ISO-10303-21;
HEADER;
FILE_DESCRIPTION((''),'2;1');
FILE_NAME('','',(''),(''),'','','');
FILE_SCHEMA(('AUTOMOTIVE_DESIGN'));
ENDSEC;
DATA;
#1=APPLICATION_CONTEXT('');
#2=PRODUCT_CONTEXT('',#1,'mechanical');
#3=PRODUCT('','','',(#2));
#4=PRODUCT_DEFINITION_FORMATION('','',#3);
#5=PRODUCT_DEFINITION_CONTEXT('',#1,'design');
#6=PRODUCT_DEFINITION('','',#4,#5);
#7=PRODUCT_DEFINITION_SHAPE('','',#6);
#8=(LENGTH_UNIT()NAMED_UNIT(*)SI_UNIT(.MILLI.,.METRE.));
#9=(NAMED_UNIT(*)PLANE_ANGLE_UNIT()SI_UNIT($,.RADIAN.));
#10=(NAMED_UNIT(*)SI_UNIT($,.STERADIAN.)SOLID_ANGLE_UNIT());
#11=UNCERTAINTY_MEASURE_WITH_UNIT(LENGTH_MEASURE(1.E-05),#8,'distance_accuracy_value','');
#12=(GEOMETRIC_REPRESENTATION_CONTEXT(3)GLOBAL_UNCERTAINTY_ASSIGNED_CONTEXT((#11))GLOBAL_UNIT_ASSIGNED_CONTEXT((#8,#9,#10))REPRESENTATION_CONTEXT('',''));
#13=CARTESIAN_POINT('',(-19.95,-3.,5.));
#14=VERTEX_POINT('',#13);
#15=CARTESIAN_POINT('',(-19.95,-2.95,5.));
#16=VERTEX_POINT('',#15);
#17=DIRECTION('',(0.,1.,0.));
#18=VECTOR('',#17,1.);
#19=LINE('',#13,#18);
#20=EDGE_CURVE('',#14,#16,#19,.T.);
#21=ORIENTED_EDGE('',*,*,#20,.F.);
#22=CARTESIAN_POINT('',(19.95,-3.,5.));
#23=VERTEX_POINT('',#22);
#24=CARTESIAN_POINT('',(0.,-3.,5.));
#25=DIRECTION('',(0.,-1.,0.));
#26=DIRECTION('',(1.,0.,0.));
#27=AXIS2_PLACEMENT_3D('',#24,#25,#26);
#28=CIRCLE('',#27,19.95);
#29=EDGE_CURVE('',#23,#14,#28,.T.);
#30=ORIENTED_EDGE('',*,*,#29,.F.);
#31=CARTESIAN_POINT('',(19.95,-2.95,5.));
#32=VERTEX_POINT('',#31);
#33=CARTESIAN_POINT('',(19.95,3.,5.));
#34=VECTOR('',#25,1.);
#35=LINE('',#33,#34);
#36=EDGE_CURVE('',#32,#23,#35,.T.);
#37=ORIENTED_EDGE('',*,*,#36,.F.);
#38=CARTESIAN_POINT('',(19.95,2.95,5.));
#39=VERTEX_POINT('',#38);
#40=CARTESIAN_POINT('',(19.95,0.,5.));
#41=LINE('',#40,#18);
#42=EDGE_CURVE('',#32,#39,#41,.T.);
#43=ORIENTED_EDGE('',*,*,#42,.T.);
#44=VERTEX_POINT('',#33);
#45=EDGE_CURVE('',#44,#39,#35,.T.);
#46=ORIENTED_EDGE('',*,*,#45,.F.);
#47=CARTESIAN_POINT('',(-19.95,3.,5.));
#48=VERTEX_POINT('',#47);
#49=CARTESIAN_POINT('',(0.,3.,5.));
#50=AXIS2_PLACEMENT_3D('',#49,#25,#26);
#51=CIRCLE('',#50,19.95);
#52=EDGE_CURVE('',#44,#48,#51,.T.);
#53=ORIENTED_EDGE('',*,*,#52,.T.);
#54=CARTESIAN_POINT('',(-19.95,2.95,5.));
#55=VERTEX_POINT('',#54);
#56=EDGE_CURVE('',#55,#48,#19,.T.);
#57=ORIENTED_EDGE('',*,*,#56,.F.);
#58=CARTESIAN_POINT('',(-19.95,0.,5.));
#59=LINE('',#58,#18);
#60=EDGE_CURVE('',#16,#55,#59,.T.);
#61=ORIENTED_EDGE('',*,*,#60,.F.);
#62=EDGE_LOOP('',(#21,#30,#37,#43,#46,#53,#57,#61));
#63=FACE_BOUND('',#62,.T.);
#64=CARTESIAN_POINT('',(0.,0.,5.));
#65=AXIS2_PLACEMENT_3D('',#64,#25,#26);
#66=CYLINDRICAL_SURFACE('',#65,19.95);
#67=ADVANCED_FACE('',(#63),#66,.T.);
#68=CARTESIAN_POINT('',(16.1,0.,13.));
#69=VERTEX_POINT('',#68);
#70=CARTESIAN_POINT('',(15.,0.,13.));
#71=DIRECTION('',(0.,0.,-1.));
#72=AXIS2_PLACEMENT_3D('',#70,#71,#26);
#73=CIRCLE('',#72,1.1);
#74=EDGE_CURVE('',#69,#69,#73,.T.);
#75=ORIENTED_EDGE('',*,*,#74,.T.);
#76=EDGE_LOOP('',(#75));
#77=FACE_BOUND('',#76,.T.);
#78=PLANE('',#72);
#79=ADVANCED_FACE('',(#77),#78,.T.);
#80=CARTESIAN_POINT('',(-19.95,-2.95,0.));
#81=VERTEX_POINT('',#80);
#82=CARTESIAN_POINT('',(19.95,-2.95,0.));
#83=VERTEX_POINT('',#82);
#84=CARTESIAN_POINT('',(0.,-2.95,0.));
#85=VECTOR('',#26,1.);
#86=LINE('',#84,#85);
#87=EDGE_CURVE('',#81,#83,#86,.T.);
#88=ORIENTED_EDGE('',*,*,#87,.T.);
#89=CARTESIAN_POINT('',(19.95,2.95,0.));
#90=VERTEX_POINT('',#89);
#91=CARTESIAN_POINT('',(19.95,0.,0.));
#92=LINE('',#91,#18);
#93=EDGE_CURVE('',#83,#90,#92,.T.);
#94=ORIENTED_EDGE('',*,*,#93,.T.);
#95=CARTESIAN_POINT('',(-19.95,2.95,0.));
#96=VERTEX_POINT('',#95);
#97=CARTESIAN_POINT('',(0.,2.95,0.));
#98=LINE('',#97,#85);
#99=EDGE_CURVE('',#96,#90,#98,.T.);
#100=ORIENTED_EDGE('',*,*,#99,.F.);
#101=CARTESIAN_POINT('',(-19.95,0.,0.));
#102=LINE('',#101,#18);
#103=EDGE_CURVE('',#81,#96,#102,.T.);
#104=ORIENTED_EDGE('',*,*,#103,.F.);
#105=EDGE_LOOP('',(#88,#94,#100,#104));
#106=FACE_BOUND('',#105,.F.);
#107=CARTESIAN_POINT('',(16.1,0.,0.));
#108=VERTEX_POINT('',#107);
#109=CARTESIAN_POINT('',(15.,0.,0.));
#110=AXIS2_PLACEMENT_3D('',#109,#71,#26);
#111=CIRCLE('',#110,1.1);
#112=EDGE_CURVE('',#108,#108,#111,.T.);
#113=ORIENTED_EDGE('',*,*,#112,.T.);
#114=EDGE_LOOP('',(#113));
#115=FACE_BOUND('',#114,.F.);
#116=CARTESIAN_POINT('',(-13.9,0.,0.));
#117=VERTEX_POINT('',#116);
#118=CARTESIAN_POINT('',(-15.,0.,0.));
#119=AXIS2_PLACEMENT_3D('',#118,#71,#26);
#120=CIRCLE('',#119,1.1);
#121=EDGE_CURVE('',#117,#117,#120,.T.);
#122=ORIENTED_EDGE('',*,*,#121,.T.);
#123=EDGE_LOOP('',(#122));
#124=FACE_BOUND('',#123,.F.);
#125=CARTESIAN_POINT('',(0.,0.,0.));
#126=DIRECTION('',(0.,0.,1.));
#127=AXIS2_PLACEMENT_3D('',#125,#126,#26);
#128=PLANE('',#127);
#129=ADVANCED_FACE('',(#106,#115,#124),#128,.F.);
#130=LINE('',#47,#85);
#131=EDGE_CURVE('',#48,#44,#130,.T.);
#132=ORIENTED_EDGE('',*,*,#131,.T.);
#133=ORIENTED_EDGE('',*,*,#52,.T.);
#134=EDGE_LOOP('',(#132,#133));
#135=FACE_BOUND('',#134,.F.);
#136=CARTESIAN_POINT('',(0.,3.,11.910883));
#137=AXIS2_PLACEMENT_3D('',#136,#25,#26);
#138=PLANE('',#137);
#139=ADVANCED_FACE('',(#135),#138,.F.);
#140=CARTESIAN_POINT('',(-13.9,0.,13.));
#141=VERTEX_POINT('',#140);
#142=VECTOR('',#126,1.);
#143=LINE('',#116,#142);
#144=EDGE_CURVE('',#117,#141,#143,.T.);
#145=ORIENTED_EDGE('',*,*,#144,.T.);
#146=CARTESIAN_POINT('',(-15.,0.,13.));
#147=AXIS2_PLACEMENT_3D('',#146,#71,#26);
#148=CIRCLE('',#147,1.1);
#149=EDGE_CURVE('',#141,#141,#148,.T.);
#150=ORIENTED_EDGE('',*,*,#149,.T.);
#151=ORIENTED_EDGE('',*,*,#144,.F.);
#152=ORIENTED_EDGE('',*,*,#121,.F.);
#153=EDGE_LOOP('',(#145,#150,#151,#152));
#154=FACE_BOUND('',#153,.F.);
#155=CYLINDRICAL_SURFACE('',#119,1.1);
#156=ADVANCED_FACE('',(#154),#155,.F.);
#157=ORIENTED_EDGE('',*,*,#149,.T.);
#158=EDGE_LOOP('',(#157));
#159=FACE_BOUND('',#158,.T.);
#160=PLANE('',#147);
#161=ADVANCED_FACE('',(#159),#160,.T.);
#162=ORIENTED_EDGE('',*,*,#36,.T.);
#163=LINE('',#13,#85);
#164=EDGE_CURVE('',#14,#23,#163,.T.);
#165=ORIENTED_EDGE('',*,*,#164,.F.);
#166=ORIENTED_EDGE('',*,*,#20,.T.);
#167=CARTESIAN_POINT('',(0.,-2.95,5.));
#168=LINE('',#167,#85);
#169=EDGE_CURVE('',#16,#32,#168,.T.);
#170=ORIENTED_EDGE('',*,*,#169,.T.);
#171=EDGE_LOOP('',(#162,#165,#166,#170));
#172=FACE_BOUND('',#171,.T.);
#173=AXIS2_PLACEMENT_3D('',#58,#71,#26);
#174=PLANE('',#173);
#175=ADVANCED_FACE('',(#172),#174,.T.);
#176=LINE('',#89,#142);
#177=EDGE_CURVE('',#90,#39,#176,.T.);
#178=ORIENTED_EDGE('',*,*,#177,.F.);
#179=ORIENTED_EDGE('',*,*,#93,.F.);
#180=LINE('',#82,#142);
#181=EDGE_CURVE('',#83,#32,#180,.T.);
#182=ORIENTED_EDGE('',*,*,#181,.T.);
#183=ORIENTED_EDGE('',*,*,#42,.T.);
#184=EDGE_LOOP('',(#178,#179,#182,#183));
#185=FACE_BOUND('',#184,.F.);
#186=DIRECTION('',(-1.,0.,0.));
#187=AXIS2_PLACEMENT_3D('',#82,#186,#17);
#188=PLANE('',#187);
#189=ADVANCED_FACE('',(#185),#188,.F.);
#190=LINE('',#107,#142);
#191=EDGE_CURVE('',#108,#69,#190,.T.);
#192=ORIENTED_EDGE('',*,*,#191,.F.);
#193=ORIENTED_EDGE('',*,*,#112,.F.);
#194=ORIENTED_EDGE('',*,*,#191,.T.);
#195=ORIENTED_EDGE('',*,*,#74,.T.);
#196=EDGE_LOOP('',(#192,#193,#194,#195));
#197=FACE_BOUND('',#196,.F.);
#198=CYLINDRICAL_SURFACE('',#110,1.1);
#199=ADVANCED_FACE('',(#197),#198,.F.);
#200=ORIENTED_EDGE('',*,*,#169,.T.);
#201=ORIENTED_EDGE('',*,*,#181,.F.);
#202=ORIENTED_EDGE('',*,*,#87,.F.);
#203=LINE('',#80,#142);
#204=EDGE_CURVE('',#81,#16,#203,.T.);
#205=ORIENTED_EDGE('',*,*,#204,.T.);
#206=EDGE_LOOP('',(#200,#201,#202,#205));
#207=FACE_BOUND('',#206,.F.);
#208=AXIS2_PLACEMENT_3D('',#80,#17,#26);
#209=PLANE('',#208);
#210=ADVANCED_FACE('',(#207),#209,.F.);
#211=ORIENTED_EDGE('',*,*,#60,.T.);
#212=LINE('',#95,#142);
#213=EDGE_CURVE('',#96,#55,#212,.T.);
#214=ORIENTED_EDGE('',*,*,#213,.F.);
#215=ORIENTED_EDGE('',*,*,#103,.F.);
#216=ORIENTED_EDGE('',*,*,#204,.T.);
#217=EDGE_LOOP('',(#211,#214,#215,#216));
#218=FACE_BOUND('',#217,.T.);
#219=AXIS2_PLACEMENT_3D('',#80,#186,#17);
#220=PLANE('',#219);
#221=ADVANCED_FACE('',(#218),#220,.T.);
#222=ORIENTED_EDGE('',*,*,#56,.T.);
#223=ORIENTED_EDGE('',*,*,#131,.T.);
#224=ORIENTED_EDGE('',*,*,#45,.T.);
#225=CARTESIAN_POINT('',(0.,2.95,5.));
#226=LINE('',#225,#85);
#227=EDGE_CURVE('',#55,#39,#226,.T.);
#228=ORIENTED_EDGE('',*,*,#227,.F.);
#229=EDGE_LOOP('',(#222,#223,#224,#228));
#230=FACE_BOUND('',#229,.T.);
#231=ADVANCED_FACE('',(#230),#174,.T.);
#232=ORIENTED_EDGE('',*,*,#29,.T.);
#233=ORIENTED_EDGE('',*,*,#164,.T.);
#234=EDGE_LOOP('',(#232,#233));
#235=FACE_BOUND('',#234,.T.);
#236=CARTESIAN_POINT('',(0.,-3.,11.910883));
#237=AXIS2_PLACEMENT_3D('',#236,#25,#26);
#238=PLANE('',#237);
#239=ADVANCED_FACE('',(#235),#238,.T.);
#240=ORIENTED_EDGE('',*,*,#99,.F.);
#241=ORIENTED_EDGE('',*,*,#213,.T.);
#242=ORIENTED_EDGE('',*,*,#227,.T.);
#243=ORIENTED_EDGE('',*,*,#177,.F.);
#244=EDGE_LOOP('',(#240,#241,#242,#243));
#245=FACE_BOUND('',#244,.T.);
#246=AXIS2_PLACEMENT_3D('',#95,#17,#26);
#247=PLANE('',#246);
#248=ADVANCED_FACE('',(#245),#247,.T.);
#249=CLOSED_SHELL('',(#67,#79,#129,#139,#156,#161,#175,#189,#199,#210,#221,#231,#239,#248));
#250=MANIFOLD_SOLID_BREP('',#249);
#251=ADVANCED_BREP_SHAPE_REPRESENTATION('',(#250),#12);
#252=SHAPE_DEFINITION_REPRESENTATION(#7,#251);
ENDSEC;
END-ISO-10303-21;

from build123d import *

# Parameters (mm, degrees)
F0_W     = 39.9
F0_H     = 5.9
F1_DEPTH = 5
F3_DEPTH = 3
F4_R     = 1.1
F5_DEPTH = 13


with BuildPart() as f1:
    # F0 (on Top) → F1 (new body)
    with BuildSketch(Plane.XY):
        Rectangle(F0_W, F0_H)
    extrude(amount=F1_DEPTH)

    # F2 (on Front) → F3 (join, symmetric)
    with BuildSketch(Plane.XZ):
        with BuildLine():
            Line((-19.95, 5), (19.95, 5))
            ThreePointArc((19.95, 5), (0, 24.95), (-19.95, 5))
        make_face()
    extrude(amount=F3_DEPTH, both=True)

    # F4 (on face) → F5 (cut)
    with BuildSketch(Plane(origin=(0, 0, 0), x_dir=(1, 0, 0), z_dir=(0, 0, -1))):
        with Locations((15, 0)):
            Circle(F4_R)
        with Locations((-15, 0)):
            Circle(F4_R)
    extrude(amount=-F5_DEPTH, mode=Mode.SUBTRACT)


solid = f1.part
